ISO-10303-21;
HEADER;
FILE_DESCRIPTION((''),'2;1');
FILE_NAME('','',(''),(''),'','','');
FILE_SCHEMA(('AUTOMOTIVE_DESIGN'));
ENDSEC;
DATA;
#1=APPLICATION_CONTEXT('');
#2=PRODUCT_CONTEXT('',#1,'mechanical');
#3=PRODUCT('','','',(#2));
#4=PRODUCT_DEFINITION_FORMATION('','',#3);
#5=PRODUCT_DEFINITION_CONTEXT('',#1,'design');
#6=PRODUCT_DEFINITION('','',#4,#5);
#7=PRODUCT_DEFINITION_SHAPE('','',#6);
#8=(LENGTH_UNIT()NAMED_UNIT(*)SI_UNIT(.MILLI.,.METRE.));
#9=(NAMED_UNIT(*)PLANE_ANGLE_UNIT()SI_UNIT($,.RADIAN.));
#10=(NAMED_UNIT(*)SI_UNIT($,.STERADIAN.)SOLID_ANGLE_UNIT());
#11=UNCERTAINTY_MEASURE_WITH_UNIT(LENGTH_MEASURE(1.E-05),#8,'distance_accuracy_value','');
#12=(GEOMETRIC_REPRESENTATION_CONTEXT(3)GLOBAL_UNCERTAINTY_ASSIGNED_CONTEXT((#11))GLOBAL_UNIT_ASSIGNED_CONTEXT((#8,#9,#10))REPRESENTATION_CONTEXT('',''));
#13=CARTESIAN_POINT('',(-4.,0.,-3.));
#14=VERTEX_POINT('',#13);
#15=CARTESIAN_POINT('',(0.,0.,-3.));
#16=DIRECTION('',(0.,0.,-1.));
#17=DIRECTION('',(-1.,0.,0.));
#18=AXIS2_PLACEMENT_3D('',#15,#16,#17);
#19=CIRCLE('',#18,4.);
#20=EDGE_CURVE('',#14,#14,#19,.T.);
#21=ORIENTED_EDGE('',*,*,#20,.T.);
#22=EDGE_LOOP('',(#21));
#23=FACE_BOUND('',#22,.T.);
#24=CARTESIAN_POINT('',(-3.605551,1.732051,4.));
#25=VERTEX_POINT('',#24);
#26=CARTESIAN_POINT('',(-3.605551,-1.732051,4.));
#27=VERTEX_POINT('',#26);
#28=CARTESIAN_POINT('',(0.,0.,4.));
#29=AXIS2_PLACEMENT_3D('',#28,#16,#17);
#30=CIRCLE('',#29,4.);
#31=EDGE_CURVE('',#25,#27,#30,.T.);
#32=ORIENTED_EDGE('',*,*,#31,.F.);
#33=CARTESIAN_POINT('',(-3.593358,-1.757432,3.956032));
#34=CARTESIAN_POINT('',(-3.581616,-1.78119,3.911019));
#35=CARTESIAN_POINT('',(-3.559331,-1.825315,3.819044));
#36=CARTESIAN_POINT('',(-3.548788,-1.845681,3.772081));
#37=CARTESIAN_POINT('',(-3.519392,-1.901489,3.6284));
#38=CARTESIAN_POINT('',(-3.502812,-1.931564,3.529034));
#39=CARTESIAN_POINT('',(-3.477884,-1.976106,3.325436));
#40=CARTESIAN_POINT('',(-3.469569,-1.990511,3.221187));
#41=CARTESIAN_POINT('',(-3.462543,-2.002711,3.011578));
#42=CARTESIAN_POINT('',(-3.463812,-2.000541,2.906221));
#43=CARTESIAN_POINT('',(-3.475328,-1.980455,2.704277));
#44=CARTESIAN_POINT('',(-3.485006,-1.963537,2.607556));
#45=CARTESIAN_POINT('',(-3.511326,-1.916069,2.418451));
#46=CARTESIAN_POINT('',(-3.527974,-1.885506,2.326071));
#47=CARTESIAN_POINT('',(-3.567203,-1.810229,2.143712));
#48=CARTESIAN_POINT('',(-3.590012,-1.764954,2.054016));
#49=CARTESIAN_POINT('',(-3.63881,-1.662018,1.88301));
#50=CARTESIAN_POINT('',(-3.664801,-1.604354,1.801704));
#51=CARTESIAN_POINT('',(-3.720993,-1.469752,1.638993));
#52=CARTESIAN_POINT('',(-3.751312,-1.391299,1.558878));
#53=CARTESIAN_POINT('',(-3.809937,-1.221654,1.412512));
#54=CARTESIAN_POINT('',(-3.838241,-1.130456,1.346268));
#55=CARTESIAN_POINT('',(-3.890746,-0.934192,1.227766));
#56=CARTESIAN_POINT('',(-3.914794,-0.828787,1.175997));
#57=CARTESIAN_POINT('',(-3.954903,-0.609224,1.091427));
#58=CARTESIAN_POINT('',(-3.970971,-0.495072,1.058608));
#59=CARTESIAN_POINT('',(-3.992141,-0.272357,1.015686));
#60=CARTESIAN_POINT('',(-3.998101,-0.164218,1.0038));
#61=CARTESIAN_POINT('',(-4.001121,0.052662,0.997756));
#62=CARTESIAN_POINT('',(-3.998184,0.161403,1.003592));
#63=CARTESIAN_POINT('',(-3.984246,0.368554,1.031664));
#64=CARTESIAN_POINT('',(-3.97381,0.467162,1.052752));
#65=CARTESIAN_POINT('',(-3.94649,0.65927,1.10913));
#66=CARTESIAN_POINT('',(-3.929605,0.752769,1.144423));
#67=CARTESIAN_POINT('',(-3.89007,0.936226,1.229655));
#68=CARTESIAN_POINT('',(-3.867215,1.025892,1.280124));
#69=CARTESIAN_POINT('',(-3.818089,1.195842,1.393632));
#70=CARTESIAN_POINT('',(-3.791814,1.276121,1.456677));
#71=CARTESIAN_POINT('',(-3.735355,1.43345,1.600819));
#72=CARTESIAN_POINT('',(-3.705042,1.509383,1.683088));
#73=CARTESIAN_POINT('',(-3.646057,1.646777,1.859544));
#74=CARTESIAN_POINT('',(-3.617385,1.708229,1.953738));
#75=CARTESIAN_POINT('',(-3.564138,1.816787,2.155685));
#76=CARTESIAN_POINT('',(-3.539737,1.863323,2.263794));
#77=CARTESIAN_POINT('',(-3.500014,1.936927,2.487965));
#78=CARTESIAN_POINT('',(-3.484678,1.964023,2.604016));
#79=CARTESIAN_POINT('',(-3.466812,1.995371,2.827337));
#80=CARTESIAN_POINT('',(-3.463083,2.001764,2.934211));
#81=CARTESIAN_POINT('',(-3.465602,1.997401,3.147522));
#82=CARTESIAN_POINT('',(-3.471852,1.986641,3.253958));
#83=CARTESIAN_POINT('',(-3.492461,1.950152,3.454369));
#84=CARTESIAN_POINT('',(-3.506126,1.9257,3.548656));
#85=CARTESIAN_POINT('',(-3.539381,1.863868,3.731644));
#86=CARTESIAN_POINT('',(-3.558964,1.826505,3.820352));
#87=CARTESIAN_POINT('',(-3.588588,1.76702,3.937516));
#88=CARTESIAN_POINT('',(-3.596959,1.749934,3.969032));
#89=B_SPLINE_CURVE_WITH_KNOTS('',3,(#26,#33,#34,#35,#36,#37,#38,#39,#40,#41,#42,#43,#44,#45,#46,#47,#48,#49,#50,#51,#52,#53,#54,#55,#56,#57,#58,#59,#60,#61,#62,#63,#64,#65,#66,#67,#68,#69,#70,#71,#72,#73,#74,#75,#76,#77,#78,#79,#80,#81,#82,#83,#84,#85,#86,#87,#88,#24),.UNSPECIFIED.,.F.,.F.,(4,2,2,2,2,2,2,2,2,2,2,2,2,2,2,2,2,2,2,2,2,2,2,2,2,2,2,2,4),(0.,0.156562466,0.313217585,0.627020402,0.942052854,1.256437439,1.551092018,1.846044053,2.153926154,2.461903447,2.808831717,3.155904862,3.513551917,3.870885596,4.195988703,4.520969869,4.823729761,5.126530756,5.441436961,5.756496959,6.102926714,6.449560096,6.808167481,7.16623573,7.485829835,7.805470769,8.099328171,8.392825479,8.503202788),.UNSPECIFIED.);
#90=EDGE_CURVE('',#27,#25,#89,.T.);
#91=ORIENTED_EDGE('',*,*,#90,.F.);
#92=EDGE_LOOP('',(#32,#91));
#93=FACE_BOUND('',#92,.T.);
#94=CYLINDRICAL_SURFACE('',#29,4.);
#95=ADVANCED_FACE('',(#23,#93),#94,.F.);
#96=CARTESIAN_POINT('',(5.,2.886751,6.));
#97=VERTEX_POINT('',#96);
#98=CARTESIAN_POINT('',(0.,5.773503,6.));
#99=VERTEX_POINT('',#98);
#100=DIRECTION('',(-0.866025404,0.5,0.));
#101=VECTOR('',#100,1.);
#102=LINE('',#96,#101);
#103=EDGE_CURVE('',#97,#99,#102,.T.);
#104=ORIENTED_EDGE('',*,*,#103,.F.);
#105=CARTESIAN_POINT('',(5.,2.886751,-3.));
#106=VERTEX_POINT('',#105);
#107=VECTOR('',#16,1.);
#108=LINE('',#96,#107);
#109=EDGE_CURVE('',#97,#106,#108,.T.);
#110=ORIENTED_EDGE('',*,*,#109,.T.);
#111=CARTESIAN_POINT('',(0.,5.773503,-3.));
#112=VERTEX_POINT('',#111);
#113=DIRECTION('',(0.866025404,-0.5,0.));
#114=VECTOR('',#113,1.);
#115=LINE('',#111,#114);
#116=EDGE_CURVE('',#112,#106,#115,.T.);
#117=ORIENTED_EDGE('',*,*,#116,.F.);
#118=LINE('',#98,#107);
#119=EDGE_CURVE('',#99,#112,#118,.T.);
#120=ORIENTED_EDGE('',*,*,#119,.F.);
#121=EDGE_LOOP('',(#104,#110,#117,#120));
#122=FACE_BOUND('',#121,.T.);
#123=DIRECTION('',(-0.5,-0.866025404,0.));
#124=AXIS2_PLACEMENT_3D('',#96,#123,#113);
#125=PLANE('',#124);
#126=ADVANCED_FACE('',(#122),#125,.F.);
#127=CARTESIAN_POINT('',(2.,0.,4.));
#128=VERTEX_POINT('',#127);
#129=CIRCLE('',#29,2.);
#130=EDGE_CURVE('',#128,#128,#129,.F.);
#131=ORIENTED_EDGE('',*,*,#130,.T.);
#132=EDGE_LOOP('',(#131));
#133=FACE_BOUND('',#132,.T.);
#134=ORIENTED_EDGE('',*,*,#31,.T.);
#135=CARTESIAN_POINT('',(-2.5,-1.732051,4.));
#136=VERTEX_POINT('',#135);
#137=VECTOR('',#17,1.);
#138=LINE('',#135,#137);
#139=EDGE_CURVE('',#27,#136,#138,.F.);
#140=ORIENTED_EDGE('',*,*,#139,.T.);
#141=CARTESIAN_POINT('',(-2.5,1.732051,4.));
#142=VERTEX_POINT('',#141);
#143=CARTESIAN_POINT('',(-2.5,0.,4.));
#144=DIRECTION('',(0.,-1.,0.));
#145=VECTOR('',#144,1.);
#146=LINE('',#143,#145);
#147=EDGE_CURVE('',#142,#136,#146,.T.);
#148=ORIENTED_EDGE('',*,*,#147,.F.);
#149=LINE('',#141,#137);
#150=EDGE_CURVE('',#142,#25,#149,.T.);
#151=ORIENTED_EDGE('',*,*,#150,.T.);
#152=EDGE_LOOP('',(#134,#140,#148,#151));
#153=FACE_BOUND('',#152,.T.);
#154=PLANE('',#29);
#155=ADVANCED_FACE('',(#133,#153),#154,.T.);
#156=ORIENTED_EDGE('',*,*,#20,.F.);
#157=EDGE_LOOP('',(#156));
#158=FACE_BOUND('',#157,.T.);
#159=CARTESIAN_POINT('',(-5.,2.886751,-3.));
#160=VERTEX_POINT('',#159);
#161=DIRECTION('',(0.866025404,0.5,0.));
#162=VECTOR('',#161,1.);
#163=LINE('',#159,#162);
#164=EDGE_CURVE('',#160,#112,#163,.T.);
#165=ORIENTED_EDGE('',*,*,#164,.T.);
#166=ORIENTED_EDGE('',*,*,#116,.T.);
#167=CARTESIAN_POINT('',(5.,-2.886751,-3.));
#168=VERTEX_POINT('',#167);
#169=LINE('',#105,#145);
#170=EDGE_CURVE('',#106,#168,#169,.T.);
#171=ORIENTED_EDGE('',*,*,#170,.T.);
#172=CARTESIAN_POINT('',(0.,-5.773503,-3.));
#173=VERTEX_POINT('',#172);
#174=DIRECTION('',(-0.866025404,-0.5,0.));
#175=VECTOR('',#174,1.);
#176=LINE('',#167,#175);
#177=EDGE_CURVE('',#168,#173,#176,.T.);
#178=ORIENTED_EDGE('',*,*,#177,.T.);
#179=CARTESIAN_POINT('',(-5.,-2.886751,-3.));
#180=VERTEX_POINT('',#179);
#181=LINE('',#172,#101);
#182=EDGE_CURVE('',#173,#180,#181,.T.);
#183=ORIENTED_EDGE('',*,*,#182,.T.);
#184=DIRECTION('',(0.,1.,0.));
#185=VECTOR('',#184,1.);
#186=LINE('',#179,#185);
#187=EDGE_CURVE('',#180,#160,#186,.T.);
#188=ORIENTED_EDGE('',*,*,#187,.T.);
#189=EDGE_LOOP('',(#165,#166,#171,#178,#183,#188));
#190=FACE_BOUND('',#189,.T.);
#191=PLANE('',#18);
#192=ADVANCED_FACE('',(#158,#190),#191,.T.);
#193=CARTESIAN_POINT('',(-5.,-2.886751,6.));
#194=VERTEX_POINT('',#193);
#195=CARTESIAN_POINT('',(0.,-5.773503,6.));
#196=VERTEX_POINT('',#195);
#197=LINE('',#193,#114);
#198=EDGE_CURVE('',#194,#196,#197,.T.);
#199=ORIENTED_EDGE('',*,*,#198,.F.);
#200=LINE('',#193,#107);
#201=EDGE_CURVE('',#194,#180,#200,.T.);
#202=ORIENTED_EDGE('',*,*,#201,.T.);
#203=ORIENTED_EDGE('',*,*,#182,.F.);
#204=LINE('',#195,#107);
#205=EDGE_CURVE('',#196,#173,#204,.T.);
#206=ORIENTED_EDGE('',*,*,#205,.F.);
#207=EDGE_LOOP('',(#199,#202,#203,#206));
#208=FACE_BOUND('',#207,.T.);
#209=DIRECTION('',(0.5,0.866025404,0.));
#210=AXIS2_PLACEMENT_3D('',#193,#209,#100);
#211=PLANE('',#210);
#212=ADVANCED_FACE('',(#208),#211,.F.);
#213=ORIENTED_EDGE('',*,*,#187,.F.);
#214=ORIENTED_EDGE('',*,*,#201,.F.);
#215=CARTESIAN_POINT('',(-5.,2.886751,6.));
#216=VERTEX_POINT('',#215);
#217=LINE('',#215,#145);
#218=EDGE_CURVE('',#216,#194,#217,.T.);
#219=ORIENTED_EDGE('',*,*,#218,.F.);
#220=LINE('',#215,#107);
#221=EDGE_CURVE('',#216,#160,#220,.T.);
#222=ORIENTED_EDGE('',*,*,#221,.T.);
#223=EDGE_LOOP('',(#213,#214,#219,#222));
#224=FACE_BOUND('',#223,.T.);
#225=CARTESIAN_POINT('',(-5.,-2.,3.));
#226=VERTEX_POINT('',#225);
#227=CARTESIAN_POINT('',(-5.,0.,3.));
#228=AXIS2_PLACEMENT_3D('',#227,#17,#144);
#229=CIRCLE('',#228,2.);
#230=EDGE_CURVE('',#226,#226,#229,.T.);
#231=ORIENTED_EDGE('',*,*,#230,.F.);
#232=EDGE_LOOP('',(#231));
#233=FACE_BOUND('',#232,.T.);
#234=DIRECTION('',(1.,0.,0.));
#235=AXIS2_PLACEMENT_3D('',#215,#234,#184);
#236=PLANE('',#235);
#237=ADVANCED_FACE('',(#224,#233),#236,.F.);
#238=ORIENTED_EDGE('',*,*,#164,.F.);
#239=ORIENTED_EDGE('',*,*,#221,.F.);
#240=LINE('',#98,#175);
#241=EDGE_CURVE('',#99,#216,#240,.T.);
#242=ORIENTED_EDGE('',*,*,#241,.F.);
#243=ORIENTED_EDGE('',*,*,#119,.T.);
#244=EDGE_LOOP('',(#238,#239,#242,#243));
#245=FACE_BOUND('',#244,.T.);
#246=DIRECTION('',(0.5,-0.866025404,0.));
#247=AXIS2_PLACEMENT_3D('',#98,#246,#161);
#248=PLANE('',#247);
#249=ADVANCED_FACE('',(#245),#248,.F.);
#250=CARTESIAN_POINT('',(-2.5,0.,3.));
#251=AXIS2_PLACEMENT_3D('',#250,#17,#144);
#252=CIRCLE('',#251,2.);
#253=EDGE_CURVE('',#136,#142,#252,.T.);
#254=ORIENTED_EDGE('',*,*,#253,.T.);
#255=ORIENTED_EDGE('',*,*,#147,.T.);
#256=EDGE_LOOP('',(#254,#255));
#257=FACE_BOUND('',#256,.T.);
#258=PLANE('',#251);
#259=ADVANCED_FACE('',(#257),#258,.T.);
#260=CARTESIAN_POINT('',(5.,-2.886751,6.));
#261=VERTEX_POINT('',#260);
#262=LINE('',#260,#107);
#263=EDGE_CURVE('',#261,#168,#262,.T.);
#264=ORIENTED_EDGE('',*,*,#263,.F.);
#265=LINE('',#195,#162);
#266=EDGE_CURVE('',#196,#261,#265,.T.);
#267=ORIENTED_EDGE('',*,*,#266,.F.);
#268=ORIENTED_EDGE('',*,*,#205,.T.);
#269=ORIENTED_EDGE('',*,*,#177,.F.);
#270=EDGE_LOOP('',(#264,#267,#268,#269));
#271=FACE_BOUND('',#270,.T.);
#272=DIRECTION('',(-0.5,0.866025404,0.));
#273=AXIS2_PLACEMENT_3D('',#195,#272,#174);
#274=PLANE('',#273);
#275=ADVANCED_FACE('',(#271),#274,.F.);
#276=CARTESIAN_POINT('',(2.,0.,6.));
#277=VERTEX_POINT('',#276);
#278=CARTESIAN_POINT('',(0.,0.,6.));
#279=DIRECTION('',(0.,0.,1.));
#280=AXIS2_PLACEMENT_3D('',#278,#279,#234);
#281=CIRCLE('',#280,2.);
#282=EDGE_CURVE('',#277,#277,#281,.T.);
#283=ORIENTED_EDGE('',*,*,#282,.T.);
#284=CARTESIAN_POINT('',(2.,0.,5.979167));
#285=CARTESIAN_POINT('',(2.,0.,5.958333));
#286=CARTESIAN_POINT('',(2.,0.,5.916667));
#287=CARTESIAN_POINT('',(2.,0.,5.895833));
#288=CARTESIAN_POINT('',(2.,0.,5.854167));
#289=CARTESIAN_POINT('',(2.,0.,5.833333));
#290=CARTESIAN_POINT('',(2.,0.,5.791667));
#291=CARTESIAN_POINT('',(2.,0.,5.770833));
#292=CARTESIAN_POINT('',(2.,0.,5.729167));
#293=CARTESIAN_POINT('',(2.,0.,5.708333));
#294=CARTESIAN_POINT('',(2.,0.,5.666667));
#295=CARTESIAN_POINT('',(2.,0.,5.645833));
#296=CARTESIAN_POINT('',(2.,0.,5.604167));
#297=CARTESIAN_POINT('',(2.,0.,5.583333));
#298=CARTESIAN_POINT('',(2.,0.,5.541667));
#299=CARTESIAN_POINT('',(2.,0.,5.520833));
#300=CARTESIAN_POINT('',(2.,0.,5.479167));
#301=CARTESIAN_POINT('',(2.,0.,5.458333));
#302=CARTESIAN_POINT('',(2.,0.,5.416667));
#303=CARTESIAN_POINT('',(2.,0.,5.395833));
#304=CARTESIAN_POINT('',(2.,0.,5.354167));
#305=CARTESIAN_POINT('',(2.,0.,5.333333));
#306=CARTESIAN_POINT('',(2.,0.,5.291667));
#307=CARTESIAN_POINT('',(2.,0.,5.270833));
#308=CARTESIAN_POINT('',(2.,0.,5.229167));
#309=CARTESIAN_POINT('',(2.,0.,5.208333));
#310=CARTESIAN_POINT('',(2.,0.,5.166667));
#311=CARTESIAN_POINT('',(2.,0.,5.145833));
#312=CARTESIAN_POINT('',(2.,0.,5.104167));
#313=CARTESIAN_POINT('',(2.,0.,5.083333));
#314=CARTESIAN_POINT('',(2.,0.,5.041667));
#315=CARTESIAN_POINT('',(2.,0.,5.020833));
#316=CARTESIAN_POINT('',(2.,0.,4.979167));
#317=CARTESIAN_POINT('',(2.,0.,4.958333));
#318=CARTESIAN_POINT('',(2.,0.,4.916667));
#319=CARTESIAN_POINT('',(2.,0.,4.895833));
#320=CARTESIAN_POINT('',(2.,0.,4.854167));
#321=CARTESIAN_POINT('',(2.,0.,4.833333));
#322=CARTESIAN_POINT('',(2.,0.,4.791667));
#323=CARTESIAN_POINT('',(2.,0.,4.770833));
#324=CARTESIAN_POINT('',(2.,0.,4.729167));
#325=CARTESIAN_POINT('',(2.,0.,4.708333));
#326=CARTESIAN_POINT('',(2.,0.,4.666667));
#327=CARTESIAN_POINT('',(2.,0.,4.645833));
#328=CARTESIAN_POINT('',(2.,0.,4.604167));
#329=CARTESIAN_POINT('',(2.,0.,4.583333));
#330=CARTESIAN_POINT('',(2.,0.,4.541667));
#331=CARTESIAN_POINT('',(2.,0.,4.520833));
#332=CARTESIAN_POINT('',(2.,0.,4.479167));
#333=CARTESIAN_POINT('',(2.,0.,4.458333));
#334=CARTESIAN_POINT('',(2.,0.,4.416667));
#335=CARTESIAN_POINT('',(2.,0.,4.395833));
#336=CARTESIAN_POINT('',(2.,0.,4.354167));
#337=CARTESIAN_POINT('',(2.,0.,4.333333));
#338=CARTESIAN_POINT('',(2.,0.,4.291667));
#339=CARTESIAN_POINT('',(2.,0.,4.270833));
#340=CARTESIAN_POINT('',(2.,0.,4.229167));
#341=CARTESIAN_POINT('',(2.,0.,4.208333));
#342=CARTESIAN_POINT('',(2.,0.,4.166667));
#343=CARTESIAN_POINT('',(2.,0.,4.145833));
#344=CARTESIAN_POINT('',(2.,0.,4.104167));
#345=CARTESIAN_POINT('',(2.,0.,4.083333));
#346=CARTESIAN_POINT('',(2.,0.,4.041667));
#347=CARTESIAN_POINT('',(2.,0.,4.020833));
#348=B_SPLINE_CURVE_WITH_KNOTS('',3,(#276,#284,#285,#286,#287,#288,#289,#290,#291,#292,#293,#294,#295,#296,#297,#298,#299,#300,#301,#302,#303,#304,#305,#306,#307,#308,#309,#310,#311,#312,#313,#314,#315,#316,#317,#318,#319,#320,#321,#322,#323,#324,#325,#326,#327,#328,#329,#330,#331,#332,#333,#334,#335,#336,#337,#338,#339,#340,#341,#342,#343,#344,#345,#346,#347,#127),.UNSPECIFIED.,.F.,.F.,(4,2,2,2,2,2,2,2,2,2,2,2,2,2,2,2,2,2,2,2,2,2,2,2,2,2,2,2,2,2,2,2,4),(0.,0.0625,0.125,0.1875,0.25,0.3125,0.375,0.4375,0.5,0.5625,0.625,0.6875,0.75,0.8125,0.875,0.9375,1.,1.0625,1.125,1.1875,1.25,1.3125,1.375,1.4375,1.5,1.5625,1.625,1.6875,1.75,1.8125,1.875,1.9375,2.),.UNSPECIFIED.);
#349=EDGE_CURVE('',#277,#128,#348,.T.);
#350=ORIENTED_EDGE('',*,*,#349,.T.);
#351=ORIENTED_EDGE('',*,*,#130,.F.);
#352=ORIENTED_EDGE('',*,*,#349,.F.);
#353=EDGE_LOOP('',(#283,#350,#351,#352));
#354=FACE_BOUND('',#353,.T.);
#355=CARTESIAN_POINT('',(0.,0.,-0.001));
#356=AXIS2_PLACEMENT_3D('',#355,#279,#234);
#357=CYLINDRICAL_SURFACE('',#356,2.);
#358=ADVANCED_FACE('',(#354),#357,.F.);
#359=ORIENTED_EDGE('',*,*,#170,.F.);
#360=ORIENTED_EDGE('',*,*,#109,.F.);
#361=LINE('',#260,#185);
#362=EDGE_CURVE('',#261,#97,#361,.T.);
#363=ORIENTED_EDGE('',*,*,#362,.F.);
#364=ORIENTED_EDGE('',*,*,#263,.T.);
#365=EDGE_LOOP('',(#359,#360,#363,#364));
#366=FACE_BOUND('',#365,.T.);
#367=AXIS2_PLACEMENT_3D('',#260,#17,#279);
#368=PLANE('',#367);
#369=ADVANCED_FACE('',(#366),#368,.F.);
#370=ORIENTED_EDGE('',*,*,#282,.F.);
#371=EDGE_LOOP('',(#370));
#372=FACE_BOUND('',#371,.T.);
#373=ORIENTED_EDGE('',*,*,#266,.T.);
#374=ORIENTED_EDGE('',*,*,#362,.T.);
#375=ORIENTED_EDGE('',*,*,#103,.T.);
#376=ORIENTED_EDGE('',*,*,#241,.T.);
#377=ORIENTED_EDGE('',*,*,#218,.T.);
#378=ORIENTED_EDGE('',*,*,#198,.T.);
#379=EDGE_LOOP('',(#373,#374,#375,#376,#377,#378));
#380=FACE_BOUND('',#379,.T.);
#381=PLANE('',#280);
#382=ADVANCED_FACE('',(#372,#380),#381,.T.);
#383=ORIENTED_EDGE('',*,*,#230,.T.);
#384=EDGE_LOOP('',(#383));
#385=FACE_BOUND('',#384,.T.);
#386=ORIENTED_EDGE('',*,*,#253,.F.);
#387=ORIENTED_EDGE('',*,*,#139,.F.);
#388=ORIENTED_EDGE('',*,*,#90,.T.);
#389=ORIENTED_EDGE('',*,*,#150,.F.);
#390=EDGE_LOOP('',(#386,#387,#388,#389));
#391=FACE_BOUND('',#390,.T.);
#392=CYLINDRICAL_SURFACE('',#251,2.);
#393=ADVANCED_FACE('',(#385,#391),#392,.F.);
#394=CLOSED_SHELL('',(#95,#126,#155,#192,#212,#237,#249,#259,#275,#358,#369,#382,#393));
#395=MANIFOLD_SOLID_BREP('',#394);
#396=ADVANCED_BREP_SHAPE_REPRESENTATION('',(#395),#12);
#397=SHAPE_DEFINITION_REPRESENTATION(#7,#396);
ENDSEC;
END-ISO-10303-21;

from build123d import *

# Parameters (mm, degrees)
BOSS_EXTRUDE1_DEPTH = 6
SKETCH3_R           = 2
CUT_EXTRUDE1_DEPTH  = 2.5
CUT_EXTRUDE5_REACH  = 11.713
SKETCH5_R           = 2
SKETCH6_R           = 2
BOSS_EXTRUDE2_DEPTH = 3
SKETCH7_R           = 4
CUT_EXTRUDE6_DEPTH  = 7


with BuildPart() as part:
    # Sketch2 → Boss-Extrude1 (new body)
    with BuildSketch(Plane.XY):
        Polygon((0, -5.773502692), (5, -2.886751346), (5, 2.886751346), (0, 5.773502692), (-5, 2.886751346), (-5, -2.886751346), align=None)
    extrude(amount=BOSS_EXTRUDE1_DEPTH)

    # Sketch3 → Cut-Extrude1 (cut)
    with BuildSketch(Plane.ZY.offset(5)):
        with Locations(Location((3, 0, 0), (0, 0, 270))):
            Circle(SKETCH3_R)
    extrude(amount=-CUT_EXTRUDE1_DEPTH, mode=Mode.SUBTRACT)

    # Sketch5 → Cut-Extrude5 (cut, up to next)
    with BuildSketch(Plane.XY.offset(6), mode=Mode.PRIVATE) as cut_extrude5_sk1:
        Circle(SKETCH5_R)
    cut_extrude5_tool1 = extrude(cut_extrude5_sk1.sketch, amount=-CUT_EXTRUDE5_REACH, mode=Mode.PRIVATE) & part.part
    add(cut_extrude5_tool1.solids().sort_by_distance((0, 0, 6))[0], mode=Mode.SUBTRACT)

    # Sketch6 → Boss-Extrude2 (add)
    with BuildSketch(Plane(origin=(0, 0, 0), x_dir=(-1, 0, 0), z_dir=(0, 0, -1))):
        Polygon((0, 5.773502692), (-5, 2.886751346), (-5, -2.886751346), (0, -5.773502692), (5, -2.886751346), (5, 2.886751346), align=None)
        with Locations(Location((0, 0, 0), (0, 0, 180))):
            Circle(SKETCH6_R, mode=Mode.SUBTRACT)
    extrude(amount=BOSS_EXTRUDE2_DEPTH)

    # Sketch7 → Cut-Extrude6 (cut)
    with BuildSketch(Plane(origin=(0, 0, -3), x_dir=(-1, 0, 0), z_dir=(0, 0, -1))):
        Circle(SKETCH7_R)
    extrude(amount=-CUT_EXTRUDE6_DEPTH, mode=Mode.SUBTRACT)


solid = part.part
